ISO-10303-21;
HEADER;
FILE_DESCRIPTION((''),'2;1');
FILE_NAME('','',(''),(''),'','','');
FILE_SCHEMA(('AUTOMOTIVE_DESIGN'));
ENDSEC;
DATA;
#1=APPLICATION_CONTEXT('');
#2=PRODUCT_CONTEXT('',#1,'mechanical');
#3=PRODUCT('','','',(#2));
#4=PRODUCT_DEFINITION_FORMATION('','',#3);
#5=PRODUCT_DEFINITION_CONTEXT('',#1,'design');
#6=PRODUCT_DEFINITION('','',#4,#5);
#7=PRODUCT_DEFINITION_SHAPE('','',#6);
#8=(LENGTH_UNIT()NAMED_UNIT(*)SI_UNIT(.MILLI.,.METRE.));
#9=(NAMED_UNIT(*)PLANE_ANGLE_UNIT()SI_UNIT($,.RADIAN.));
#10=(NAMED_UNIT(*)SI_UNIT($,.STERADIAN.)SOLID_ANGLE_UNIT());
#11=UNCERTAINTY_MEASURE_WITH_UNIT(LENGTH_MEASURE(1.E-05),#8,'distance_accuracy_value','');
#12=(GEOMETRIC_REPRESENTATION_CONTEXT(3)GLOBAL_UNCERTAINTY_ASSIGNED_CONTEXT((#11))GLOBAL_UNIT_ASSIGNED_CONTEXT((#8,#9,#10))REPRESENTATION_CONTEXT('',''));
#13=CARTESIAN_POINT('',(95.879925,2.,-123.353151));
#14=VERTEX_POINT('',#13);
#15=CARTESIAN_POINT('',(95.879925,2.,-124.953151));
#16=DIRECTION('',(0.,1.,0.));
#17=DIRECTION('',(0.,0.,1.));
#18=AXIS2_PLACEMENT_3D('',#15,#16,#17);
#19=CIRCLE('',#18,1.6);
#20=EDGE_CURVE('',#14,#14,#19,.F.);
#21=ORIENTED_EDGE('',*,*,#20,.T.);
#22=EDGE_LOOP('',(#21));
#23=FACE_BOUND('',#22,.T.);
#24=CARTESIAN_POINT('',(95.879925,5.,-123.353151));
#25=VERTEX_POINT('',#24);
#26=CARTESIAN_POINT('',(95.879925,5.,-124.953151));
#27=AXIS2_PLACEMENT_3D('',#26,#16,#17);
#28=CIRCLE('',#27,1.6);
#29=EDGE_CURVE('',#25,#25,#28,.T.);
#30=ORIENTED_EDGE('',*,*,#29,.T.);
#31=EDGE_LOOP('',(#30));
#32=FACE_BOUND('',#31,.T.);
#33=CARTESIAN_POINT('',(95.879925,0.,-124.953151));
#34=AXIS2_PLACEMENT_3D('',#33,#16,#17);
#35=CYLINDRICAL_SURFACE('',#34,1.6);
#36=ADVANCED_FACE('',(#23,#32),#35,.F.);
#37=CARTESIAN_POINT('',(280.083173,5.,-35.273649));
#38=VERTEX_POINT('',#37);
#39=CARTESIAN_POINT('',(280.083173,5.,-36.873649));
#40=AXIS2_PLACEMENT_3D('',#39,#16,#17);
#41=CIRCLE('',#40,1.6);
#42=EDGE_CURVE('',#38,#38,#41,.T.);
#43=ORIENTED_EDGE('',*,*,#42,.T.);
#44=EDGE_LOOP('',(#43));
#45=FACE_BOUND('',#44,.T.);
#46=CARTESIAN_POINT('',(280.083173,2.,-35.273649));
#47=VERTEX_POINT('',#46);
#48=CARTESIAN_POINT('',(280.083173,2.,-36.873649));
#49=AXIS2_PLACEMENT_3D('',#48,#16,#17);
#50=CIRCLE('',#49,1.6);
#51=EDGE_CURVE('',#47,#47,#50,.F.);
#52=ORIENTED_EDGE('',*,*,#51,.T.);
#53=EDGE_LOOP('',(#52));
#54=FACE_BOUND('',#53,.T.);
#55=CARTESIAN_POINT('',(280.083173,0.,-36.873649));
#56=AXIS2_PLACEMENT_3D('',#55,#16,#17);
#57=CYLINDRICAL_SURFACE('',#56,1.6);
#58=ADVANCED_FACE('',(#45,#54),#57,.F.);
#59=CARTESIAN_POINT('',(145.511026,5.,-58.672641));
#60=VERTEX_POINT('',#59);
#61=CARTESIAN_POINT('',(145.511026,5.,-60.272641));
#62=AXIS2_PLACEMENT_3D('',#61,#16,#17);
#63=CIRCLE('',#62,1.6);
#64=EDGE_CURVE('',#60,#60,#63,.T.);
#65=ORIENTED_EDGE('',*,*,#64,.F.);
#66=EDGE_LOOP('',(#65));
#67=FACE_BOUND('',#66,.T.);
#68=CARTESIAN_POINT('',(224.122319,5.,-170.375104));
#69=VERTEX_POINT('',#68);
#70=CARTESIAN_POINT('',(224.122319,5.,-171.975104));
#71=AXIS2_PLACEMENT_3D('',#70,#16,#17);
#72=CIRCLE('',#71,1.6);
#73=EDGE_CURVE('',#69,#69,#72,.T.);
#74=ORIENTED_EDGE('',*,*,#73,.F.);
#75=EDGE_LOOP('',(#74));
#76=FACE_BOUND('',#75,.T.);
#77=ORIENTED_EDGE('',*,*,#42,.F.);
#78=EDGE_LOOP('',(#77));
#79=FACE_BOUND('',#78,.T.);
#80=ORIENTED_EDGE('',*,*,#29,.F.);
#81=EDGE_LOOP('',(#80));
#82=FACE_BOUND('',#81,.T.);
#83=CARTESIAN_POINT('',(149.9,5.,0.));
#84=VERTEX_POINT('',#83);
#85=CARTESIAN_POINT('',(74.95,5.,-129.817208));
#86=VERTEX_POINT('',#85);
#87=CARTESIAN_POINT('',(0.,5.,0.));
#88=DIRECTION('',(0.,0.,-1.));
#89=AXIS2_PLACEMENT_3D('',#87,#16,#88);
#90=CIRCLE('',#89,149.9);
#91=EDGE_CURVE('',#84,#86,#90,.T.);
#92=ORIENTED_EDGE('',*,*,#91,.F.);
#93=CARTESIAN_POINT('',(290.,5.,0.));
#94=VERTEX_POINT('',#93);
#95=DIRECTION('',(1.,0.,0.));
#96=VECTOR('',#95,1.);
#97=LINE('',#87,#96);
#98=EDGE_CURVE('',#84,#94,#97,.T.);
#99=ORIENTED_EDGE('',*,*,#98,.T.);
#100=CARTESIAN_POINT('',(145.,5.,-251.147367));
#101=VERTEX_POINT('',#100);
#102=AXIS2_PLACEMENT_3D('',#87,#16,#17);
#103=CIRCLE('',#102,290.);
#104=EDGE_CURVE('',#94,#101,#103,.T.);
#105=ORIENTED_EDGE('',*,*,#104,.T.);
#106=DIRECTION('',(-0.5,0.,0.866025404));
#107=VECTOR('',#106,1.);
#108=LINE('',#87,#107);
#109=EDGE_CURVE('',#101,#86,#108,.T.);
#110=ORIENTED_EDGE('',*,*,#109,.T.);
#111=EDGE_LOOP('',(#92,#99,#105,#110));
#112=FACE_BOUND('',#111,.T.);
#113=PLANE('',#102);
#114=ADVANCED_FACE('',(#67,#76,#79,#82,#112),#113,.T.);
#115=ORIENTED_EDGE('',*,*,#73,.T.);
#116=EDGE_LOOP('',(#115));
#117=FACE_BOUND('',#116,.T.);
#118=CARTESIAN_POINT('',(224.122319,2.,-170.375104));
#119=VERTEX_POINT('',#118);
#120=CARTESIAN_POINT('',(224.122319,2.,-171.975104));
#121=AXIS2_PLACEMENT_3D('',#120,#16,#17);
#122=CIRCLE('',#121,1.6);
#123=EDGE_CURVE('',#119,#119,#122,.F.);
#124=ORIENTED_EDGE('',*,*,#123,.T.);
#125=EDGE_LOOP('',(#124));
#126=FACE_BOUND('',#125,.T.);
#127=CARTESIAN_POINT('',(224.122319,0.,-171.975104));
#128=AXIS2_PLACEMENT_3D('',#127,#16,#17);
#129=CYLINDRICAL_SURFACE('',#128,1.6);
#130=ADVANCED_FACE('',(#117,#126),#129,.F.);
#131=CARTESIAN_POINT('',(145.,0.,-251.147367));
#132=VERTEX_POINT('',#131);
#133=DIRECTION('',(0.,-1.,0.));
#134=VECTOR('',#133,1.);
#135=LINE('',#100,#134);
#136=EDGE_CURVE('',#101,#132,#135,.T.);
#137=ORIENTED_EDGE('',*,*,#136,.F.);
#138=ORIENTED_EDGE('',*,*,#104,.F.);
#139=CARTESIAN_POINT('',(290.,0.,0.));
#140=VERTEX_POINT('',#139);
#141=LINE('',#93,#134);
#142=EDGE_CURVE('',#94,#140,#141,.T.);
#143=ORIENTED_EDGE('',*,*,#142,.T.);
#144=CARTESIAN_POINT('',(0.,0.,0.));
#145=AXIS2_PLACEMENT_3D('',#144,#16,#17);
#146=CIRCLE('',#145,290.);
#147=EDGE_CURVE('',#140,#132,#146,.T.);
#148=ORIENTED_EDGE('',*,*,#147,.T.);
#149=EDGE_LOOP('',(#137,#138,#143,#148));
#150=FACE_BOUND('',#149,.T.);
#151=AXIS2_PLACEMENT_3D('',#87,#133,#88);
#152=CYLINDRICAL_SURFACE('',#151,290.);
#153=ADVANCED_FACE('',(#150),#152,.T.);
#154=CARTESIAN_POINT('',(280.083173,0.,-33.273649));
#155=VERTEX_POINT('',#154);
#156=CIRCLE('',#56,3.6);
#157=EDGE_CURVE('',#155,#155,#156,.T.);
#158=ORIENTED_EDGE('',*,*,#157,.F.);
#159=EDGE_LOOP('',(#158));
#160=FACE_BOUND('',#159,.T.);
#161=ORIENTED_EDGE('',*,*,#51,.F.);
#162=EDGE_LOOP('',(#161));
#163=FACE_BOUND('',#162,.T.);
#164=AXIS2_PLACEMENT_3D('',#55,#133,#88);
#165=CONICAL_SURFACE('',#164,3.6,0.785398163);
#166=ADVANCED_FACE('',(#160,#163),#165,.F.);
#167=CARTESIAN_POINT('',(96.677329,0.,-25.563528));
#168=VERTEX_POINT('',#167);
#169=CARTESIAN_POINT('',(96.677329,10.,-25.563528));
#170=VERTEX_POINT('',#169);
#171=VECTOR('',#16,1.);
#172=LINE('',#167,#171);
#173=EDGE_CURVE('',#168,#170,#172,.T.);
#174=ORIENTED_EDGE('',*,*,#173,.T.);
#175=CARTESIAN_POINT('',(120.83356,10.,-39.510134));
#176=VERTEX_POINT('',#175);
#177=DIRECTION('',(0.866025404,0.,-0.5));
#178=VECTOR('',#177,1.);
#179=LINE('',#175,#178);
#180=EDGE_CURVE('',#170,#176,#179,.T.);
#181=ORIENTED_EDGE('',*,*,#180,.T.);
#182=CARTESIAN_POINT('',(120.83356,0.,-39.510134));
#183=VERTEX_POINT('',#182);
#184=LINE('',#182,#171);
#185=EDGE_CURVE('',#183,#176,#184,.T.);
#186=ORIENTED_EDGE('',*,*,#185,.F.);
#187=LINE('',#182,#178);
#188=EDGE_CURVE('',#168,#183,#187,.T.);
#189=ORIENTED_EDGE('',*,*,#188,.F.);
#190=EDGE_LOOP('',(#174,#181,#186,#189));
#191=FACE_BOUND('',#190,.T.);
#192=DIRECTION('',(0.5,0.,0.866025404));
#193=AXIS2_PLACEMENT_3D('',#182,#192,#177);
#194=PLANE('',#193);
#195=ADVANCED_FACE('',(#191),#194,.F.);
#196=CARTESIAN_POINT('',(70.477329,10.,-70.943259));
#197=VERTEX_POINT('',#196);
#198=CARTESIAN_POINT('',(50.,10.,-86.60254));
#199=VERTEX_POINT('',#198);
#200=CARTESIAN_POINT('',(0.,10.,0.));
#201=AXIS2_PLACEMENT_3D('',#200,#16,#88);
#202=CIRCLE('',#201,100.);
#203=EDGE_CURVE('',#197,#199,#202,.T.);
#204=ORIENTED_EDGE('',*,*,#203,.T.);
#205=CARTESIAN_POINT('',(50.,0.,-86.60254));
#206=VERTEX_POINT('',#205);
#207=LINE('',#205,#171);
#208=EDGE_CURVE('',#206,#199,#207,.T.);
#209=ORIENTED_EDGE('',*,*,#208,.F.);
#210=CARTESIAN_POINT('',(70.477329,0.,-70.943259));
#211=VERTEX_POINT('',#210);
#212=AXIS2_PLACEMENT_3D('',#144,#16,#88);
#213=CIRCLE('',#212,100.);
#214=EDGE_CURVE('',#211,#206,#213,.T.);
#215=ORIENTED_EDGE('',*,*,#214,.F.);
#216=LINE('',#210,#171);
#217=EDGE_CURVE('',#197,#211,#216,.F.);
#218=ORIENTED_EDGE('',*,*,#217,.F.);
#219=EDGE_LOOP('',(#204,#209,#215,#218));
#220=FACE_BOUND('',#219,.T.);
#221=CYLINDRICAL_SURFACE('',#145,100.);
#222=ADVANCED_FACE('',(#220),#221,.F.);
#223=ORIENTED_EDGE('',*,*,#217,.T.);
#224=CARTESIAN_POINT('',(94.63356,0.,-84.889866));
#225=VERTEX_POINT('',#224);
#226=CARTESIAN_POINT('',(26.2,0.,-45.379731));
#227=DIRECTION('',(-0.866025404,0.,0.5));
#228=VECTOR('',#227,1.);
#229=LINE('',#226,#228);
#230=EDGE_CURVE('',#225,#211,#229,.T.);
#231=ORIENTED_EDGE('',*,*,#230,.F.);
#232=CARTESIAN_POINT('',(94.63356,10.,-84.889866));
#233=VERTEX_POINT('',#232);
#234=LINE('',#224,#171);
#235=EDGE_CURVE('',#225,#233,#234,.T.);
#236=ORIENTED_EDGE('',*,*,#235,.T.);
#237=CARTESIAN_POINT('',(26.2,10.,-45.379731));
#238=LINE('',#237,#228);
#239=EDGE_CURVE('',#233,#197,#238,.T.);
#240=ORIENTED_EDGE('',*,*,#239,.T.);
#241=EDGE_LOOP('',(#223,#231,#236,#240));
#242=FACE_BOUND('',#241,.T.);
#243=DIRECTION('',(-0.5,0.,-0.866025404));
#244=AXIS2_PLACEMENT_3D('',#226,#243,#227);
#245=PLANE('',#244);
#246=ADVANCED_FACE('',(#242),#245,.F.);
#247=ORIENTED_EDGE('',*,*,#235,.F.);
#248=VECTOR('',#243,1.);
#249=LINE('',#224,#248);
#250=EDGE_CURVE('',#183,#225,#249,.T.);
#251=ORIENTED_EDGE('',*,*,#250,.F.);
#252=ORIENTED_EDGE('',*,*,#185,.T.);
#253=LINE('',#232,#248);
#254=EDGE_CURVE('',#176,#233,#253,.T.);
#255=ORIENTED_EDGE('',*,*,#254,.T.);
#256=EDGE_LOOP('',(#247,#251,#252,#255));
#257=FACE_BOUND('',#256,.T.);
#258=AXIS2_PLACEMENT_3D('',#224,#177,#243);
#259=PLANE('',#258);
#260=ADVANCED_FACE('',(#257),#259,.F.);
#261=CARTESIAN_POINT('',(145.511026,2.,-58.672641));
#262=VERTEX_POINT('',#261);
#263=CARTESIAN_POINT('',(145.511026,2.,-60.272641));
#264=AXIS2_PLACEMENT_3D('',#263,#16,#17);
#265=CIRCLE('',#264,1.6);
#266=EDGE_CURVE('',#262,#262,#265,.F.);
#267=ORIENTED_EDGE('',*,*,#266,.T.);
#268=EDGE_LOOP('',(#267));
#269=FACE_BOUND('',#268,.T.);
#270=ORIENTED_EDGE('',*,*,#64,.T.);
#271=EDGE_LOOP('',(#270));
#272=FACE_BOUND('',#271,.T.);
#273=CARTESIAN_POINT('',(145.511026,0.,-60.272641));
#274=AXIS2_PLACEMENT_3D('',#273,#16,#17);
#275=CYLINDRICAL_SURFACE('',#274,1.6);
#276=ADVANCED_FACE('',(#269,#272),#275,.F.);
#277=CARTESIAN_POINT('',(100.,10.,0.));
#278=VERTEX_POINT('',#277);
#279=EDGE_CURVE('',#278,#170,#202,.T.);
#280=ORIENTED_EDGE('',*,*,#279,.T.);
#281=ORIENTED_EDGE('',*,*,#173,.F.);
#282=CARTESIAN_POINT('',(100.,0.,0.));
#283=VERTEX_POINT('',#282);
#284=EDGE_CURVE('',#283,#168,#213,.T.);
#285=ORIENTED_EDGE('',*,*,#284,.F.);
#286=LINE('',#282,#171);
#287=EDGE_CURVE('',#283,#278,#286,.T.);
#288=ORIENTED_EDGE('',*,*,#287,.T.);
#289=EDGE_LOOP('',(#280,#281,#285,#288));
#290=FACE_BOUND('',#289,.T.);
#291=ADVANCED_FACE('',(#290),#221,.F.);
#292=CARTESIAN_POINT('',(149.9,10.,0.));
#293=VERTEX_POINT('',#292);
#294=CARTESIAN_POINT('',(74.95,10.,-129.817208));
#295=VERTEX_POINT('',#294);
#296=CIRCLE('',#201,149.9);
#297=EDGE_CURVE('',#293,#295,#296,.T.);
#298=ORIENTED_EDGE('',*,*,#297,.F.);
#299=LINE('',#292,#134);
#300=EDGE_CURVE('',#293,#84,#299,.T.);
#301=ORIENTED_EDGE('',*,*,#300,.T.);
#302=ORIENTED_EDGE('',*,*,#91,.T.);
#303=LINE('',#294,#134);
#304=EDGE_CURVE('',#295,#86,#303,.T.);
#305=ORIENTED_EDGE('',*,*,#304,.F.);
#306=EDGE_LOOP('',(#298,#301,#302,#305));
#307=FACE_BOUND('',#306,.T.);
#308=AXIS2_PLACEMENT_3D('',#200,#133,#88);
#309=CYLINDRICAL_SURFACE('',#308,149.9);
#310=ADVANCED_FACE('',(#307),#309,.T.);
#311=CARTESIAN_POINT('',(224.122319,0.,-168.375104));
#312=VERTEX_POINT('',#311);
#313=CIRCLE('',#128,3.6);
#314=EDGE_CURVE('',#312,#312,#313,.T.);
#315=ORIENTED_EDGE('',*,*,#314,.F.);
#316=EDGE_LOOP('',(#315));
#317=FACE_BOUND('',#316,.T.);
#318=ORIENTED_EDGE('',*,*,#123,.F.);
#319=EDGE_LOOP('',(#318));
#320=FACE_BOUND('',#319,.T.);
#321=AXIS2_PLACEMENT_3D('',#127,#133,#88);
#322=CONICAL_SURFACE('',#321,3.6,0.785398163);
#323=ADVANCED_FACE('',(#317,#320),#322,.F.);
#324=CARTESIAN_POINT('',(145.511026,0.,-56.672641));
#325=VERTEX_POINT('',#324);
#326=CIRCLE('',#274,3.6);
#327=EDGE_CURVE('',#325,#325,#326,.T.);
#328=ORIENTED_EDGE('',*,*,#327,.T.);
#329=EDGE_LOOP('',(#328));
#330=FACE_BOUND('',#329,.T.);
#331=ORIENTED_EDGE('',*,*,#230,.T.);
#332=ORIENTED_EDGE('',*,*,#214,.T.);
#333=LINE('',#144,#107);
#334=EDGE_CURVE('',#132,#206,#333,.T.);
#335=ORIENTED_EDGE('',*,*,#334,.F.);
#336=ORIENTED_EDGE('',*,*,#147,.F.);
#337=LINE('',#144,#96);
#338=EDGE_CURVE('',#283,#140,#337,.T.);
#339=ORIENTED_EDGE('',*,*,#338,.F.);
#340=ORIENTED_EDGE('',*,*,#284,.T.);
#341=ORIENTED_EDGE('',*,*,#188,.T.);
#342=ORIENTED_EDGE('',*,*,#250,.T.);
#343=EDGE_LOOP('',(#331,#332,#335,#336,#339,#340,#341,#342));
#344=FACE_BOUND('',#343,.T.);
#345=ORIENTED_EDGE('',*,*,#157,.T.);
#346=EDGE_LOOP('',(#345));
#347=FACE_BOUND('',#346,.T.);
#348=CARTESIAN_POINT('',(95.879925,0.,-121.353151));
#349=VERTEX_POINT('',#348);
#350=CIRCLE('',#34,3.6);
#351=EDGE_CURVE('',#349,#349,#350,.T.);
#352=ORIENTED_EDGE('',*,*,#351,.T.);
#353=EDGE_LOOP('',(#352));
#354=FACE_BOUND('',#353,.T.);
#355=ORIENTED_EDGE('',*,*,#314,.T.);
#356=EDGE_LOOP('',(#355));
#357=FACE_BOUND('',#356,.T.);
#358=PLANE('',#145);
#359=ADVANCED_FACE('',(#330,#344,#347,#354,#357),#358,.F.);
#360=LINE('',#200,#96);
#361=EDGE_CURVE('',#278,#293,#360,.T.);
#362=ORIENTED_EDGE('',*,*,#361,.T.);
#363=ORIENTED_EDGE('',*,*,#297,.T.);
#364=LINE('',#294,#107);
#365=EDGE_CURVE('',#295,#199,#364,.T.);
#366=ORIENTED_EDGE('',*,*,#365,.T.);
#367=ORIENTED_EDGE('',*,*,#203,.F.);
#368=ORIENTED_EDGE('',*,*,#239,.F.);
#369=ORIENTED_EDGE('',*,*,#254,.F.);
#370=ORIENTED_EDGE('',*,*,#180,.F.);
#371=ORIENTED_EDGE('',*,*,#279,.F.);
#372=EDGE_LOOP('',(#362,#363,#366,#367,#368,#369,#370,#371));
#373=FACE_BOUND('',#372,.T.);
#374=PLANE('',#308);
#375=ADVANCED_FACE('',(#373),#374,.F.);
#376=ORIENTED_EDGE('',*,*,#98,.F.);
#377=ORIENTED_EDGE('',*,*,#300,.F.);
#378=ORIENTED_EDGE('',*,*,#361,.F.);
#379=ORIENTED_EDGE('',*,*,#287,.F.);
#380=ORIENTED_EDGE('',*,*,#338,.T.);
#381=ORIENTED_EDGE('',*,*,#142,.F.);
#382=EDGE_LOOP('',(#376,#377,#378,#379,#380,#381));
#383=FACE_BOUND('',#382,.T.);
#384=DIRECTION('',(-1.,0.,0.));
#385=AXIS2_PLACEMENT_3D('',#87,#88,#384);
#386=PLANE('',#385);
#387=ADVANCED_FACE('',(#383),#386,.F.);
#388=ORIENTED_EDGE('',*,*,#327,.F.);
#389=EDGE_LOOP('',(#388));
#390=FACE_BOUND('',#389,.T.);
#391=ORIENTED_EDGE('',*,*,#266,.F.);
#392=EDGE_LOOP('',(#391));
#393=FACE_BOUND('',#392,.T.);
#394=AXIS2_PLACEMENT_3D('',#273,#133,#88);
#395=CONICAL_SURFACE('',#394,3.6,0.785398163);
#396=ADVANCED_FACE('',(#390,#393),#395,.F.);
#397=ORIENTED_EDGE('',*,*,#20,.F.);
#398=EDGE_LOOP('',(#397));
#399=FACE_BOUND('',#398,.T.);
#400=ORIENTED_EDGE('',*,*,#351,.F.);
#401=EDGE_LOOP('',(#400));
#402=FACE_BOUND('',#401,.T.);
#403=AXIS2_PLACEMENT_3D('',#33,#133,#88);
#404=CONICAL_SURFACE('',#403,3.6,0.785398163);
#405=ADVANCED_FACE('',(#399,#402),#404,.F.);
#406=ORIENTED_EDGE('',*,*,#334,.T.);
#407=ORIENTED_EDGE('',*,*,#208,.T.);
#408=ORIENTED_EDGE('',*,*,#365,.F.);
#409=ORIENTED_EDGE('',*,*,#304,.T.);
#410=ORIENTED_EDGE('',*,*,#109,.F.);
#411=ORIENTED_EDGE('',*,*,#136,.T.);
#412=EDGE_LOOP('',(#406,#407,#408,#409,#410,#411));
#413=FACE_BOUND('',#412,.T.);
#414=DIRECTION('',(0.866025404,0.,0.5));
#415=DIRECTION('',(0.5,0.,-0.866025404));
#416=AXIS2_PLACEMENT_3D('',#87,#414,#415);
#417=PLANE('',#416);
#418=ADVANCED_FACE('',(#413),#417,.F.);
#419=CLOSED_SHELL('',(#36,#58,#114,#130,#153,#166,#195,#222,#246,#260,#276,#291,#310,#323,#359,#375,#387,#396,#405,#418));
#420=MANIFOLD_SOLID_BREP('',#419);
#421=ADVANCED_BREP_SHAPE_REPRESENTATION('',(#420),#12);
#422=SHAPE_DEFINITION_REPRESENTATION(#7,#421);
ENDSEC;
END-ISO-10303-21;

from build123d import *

# Parameters (mm, degrees)
AUFSATZ_LINEAR_AUSTRAGEN1_DEPTH = 5
AUFSATZ_LINEAR_AUSTRAGEN2_DEPTH = 5
SCHNITT_LINEAR_AUSTRAGEN1_DEPTH = 384.76425055
SCHNITT_LINEAR_AUSTRAGEN2_DEPTH = 384.76425055
SKIZZE5_R                       = 1.6
SCHNITT_LINEAR_AUSTRAGEN3_DEPTH = 384.666521865
FASE1_SIZE                      = 2


with BuildPart() as part:
    # Skizze1 → Aufsatz-Linear austragen1 (new body)
    with BuildSketch(Plane(origin=(0, 0, 0), x_dir=(1, 0, 0), z_dir=(0, 1, 0))):
        with BuildLine():
            Line((0, 0), (290, 0))
            ThreePointArc((290, 0), (251.147367097, 145), (145, 251.147367097))
            Line((145, 251.147367097), (0, 0))
        make_face()
    extrude(amount=AUFSATZ_LINEAR_AUSTRAGEN1_DEPTH)

    # Skizze2 → Aufsatz-Linear austragen2 (add)
    with BuildSketch(Plane(origin=(0, 5, 0), x_dir=(1, 0, 0), z_dir=(0, 1, 0))):
        with BuildLine():
            Line((0, 0), (149.9, 0))
            ThreePointArc((149.9, 0), (129.817208027, 74.95), (74.95, 129.817208027))
            Line((74.95, 129.817208027), (0, 0))
        make_face()
    extrude(amount=AUFSATZ_LINEAR_AUSTRAGEN2_DEPTH)

    # Skizze3 → Schnitt-Linear austragen1 (cut, through all)
    with BuildSketch(Plane(origin=(0, 10, 0), x_dir=(1, 0, 0), z_dir=(0, 1, 0))):
        Polygon((26.2, 45.379731158), (94.633560231, 84.889865579), (120.833560231, 39.510134421), (52.4, 0), (0, 0), align=None)
    extrude(amount=-SCHNITT_LINEAR_AUSTRAGEN1_DEPTH, mode=Mode.SUBTRACT)

    # Skizze4 → Schnitt-Linear austragen2 (cut, through all)
    with BuildSketch(Plane(origin=(0, 10, 0), x_dir=(1, 0, 0), z_dir=(0, 1, 0))):
        with BuildLine():
            Line((100, 0), (0, 0))
            Line((0, 0), (50, 86.602540378))
            ThreePointArc((50, 86.602540378), (86.602540378, 50), (100, 0))
        make_face()
    extrude(amount=-SCHNITT_LINEAR_AUSTRAGEN2_DEPTH, mode=Mode.SUBTRACT)

    # Skizze5 → Schnitt-Linear austragen3 (cut, through all)
    with BuildSketch(Plane(origin=(0, 5, 0), x_dir=(1, 0, 0), z_dir=(0, 1, 0))):
        with Locations(Location((95.879925069, 124.953151096, 0), (0, 0, 270))):
            Circle(SKIZZE5_R)
        with Locations(Location((224.122318632, 171.975103695, 0), (0, 0, 270))):
            Circle(SKIZZE5_R)
        with Locations(Location((145.511026371, 60.272640598, 0), (0, 0, 270))):
            Circle(SKIZZE5_R)
        with Locations(Location((280.083173338, 36.873649302, 0), (0, 0, 270))):
            Circle(SKIZZE5_R)
    extrude(amount=-SCHNITT_LINEAR_AUSTRAGEN3_DEPTH, mode=Mode.SUBTRACT)

    # Fase1
    fase1_edges = [part.edges().sort_by_distance(p)[0] for p in [
        (95.879925069, 0, -126.553151096),
        (224.122318632, 0, -173.575103695),
        (145.511026371, 0, -61.872640598),
        (280.083173338, 0, -38.473649302),
    ]]
    chamfer(fase1_edges, length=FASE1_SIZE)


solid = part.part
